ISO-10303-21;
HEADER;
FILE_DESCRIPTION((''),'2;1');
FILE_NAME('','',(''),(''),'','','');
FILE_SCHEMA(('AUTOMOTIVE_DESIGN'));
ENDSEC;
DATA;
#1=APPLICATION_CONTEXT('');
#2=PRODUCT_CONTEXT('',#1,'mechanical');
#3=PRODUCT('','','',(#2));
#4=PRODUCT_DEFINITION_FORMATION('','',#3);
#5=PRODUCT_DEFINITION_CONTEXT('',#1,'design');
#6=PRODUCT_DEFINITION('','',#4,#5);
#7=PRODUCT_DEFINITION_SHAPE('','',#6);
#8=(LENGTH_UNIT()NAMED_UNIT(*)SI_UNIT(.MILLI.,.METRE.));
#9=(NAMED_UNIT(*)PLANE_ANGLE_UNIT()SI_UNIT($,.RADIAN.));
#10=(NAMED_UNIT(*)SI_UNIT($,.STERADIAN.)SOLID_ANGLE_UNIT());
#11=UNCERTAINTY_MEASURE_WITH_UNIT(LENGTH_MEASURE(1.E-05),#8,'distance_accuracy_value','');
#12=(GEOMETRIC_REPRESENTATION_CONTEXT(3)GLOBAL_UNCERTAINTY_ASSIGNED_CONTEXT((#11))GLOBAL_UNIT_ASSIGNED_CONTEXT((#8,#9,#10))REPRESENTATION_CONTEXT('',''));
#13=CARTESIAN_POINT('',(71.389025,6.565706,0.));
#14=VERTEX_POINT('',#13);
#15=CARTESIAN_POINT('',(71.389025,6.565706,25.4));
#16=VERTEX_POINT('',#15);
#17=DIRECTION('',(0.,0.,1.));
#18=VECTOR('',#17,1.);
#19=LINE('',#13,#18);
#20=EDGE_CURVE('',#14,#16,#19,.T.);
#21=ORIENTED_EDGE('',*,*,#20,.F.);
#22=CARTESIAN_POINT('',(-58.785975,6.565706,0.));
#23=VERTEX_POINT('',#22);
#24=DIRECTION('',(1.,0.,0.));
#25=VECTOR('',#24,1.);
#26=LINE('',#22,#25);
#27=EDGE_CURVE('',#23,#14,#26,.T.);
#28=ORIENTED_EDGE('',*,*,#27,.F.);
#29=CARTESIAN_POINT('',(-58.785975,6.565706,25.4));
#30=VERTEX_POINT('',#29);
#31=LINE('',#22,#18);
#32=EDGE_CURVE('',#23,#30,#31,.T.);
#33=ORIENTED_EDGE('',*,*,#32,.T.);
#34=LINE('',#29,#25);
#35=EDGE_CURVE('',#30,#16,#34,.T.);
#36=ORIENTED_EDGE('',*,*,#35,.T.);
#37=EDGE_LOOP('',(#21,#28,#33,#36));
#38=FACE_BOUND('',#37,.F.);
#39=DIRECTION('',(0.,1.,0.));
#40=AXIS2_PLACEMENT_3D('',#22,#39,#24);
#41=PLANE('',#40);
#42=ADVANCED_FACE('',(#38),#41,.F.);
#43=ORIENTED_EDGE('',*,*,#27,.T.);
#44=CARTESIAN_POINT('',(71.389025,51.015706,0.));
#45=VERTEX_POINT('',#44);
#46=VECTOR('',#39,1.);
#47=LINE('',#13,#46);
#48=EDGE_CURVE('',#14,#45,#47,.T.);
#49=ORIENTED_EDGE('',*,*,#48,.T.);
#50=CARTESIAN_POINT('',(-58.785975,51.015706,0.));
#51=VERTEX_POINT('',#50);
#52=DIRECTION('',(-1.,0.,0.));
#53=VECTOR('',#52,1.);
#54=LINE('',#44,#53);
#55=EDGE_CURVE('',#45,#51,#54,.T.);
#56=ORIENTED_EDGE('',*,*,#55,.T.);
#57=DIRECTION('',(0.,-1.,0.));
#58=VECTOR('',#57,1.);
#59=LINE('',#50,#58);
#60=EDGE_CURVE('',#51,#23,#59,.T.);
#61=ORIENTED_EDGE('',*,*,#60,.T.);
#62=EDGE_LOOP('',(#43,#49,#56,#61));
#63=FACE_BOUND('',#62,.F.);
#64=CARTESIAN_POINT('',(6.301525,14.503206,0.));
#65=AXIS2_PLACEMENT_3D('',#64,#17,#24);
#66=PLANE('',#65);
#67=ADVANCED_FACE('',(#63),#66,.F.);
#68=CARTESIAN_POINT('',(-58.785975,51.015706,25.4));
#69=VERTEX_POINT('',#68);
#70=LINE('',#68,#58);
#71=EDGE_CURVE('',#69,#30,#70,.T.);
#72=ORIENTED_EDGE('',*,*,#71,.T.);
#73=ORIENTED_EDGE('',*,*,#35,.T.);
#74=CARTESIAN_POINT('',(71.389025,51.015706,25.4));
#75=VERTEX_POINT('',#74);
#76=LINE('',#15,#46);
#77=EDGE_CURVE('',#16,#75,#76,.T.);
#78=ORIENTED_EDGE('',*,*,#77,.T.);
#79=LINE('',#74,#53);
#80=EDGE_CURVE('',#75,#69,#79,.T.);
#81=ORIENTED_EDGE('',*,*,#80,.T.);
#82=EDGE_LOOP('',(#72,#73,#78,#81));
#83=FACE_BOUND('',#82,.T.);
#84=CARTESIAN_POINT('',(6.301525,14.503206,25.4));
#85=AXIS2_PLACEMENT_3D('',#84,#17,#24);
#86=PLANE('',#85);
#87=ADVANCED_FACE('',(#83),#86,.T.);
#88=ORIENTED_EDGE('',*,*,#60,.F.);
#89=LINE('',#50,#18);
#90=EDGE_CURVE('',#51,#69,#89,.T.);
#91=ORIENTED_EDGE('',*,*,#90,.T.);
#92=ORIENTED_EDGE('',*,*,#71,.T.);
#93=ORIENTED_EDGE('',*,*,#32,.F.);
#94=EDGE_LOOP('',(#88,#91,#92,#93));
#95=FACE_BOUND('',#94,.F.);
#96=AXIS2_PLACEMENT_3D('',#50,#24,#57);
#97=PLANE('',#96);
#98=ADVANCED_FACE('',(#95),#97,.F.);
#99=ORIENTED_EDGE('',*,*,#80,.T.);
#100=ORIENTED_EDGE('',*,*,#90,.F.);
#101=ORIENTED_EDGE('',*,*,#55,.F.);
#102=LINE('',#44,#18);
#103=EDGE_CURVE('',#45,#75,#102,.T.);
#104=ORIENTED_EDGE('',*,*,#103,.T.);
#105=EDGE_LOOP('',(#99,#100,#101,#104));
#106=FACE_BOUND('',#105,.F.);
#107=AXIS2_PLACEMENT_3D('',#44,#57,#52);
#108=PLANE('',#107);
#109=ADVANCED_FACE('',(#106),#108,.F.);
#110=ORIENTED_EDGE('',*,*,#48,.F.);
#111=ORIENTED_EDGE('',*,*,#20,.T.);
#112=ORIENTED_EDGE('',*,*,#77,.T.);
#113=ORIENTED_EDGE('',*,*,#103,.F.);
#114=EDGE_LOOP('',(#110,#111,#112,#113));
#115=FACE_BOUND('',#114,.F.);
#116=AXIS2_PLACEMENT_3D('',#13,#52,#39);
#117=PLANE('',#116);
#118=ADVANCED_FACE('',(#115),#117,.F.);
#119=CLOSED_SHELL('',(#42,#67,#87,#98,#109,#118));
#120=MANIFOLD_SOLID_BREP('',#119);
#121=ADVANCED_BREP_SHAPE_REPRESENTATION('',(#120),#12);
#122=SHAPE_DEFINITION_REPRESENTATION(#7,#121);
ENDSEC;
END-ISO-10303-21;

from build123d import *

# Parameters (mm, degrees)
F0_W     = 60.325
F0_H     = 15.875
F1_DEPTH = 25.4


with BuildPart() as f1:
    # F0 (on Top) → F1 (new body)
    with BuildSketch(Plane.XY):
        with Locations((6.301525, 14.503206)):
            Rectangle(F0_W, F0_H)
        Polygon((71.389025, 51.015706), (-58.785975, 51.015706), (-58.785975, 6.565706), (-23.860975, 6.565706), (-23.860975, 22.440706), (36.464025, 22.440706), (36.464025, 6.565706), (71.389025, 6.565706), align=None)
    extrude(amount=F1_DEPTH)


solid = f1.part
